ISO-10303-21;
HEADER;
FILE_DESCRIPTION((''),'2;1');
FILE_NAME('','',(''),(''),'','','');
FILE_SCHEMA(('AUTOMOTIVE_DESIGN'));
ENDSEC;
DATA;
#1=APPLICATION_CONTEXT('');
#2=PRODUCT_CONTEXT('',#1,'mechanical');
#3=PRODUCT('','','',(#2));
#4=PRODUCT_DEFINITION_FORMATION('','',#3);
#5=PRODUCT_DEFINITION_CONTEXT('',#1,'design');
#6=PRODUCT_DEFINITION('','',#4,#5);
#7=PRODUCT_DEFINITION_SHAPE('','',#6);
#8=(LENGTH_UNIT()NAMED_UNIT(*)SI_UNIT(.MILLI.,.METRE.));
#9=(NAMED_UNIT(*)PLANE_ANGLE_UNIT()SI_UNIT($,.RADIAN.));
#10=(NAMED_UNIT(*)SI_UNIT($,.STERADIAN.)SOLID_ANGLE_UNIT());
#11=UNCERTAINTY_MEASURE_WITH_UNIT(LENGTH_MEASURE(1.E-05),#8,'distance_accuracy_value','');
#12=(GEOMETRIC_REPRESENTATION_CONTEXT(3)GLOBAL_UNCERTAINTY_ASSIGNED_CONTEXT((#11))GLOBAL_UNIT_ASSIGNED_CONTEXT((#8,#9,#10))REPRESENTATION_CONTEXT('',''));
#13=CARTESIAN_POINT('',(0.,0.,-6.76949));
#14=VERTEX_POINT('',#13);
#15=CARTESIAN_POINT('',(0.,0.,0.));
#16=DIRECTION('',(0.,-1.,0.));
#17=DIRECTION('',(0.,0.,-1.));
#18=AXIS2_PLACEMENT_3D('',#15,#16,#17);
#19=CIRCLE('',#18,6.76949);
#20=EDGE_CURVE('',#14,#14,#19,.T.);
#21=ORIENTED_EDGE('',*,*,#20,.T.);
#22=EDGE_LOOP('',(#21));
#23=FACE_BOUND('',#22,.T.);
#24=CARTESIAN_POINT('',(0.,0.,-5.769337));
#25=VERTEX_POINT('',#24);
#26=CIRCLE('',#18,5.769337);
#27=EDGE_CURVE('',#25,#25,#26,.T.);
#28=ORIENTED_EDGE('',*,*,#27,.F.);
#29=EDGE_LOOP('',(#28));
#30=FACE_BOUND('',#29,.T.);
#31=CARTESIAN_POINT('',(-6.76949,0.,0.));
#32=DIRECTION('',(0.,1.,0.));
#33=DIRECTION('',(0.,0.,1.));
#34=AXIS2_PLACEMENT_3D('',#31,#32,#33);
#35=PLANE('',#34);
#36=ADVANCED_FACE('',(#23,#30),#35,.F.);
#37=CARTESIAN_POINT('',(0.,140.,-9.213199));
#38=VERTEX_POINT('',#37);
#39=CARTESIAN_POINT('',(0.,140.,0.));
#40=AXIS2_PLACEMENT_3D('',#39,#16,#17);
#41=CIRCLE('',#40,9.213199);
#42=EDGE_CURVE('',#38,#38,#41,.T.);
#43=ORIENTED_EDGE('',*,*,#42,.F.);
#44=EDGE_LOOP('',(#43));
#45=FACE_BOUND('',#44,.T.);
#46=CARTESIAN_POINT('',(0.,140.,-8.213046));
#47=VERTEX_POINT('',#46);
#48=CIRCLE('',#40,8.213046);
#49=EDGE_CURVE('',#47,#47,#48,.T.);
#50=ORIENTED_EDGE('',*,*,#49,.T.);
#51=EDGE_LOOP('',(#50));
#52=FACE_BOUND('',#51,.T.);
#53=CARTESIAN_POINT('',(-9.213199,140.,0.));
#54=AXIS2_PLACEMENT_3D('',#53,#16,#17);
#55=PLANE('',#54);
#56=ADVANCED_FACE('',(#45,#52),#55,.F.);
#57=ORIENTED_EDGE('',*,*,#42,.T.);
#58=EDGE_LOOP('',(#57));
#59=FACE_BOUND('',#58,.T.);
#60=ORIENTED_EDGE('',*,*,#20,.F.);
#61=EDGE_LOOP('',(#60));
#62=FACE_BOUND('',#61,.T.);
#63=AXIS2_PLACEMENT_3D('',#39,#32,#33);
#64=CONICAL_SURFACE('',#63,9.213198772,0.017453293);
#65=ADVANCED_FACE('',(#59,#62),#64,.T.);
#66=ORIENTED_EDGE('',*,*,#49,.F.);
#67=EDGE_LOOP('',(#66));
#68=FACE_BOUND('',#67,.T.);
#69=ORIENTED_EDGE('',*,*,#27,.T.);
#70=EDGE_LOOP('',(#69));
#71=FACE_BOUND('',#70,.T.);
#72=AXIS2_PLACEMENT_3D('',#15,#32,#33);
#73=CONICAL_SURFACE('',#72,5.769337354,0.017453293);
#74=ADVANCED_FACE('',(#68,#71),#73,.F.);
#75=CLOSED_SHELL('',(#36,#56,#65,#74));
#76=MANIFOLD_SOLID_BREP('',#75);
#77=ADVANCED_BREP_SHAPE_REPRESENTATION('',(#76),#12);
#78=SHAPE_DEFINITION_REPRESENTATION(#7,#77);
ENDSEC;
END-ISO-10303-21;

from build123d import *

# Parameters (mm, degrees)
SKETCH2_R          = 3.500152328
CUT_EXTRUDE1_DEPTH = 161
CUT_EXTRUDE1_DRAFT = 1


with BuildPart() as part:
    # Sketch1 → Revolve2 (revolve)
    with BuildSketch(Plane.XY, mode=Mode.PRIVATE) as revolve2_sk:
        Polygon((-2.517455065, 1), (-4.94370909, 140), (-5.943861418, 140), (-3.500152328, 0), (-2.5, 0), (0, 0), (0, 1), align=None)
        Polygon((-5.769337354, 0), (-8.213046444, 140), (-9.213198772, 140), (-6.769489682, 0), align=None)
    revolve(revolve2_sk.sketch.rotate(Axis((0, 0, 0), (0, 1, 0)), 270), axis=Axis((0, 0, 0), (0, 1, 0)))


with BuildPart() as cut_extrude1_tool:
    # Sketch2 → Cut-Extrude1 (with draft: the straight prism first)
    with BuildSketch(Plane(origin=(0, 0, 0), x_dir=(-1, 0, 0), z_dir=(0, -1, 0))):
        Circle(SKETCH2_R)
    extrude(amount=-CUT_EXTRUDE1_DEPTH)
    # Cut-Extrude1: the draft: its side faces are tilted about the plane it starts from
    cut_extrude1_sides = [cut_extrude1_tool.faces().sort_by_distance(p)[0] for p in [
        (3.500152328, 80.5, 0),
    ]]
    draft(cut_extrude1_sides, Plane(origin=(0, 0, 0), x_dir=(-1, 0, 0), z_dir=(0, -1, 0)), CUT_EXTRUDE1_DRAFT)


with BuildPart() as part_1:
    add(part.part)

    # Cut-Extrude1: cut by cut_extrude1_tool
    add(cut_extrude1_tool.part, mode=Mode.SUBTRACT)


solid = part_1.part
